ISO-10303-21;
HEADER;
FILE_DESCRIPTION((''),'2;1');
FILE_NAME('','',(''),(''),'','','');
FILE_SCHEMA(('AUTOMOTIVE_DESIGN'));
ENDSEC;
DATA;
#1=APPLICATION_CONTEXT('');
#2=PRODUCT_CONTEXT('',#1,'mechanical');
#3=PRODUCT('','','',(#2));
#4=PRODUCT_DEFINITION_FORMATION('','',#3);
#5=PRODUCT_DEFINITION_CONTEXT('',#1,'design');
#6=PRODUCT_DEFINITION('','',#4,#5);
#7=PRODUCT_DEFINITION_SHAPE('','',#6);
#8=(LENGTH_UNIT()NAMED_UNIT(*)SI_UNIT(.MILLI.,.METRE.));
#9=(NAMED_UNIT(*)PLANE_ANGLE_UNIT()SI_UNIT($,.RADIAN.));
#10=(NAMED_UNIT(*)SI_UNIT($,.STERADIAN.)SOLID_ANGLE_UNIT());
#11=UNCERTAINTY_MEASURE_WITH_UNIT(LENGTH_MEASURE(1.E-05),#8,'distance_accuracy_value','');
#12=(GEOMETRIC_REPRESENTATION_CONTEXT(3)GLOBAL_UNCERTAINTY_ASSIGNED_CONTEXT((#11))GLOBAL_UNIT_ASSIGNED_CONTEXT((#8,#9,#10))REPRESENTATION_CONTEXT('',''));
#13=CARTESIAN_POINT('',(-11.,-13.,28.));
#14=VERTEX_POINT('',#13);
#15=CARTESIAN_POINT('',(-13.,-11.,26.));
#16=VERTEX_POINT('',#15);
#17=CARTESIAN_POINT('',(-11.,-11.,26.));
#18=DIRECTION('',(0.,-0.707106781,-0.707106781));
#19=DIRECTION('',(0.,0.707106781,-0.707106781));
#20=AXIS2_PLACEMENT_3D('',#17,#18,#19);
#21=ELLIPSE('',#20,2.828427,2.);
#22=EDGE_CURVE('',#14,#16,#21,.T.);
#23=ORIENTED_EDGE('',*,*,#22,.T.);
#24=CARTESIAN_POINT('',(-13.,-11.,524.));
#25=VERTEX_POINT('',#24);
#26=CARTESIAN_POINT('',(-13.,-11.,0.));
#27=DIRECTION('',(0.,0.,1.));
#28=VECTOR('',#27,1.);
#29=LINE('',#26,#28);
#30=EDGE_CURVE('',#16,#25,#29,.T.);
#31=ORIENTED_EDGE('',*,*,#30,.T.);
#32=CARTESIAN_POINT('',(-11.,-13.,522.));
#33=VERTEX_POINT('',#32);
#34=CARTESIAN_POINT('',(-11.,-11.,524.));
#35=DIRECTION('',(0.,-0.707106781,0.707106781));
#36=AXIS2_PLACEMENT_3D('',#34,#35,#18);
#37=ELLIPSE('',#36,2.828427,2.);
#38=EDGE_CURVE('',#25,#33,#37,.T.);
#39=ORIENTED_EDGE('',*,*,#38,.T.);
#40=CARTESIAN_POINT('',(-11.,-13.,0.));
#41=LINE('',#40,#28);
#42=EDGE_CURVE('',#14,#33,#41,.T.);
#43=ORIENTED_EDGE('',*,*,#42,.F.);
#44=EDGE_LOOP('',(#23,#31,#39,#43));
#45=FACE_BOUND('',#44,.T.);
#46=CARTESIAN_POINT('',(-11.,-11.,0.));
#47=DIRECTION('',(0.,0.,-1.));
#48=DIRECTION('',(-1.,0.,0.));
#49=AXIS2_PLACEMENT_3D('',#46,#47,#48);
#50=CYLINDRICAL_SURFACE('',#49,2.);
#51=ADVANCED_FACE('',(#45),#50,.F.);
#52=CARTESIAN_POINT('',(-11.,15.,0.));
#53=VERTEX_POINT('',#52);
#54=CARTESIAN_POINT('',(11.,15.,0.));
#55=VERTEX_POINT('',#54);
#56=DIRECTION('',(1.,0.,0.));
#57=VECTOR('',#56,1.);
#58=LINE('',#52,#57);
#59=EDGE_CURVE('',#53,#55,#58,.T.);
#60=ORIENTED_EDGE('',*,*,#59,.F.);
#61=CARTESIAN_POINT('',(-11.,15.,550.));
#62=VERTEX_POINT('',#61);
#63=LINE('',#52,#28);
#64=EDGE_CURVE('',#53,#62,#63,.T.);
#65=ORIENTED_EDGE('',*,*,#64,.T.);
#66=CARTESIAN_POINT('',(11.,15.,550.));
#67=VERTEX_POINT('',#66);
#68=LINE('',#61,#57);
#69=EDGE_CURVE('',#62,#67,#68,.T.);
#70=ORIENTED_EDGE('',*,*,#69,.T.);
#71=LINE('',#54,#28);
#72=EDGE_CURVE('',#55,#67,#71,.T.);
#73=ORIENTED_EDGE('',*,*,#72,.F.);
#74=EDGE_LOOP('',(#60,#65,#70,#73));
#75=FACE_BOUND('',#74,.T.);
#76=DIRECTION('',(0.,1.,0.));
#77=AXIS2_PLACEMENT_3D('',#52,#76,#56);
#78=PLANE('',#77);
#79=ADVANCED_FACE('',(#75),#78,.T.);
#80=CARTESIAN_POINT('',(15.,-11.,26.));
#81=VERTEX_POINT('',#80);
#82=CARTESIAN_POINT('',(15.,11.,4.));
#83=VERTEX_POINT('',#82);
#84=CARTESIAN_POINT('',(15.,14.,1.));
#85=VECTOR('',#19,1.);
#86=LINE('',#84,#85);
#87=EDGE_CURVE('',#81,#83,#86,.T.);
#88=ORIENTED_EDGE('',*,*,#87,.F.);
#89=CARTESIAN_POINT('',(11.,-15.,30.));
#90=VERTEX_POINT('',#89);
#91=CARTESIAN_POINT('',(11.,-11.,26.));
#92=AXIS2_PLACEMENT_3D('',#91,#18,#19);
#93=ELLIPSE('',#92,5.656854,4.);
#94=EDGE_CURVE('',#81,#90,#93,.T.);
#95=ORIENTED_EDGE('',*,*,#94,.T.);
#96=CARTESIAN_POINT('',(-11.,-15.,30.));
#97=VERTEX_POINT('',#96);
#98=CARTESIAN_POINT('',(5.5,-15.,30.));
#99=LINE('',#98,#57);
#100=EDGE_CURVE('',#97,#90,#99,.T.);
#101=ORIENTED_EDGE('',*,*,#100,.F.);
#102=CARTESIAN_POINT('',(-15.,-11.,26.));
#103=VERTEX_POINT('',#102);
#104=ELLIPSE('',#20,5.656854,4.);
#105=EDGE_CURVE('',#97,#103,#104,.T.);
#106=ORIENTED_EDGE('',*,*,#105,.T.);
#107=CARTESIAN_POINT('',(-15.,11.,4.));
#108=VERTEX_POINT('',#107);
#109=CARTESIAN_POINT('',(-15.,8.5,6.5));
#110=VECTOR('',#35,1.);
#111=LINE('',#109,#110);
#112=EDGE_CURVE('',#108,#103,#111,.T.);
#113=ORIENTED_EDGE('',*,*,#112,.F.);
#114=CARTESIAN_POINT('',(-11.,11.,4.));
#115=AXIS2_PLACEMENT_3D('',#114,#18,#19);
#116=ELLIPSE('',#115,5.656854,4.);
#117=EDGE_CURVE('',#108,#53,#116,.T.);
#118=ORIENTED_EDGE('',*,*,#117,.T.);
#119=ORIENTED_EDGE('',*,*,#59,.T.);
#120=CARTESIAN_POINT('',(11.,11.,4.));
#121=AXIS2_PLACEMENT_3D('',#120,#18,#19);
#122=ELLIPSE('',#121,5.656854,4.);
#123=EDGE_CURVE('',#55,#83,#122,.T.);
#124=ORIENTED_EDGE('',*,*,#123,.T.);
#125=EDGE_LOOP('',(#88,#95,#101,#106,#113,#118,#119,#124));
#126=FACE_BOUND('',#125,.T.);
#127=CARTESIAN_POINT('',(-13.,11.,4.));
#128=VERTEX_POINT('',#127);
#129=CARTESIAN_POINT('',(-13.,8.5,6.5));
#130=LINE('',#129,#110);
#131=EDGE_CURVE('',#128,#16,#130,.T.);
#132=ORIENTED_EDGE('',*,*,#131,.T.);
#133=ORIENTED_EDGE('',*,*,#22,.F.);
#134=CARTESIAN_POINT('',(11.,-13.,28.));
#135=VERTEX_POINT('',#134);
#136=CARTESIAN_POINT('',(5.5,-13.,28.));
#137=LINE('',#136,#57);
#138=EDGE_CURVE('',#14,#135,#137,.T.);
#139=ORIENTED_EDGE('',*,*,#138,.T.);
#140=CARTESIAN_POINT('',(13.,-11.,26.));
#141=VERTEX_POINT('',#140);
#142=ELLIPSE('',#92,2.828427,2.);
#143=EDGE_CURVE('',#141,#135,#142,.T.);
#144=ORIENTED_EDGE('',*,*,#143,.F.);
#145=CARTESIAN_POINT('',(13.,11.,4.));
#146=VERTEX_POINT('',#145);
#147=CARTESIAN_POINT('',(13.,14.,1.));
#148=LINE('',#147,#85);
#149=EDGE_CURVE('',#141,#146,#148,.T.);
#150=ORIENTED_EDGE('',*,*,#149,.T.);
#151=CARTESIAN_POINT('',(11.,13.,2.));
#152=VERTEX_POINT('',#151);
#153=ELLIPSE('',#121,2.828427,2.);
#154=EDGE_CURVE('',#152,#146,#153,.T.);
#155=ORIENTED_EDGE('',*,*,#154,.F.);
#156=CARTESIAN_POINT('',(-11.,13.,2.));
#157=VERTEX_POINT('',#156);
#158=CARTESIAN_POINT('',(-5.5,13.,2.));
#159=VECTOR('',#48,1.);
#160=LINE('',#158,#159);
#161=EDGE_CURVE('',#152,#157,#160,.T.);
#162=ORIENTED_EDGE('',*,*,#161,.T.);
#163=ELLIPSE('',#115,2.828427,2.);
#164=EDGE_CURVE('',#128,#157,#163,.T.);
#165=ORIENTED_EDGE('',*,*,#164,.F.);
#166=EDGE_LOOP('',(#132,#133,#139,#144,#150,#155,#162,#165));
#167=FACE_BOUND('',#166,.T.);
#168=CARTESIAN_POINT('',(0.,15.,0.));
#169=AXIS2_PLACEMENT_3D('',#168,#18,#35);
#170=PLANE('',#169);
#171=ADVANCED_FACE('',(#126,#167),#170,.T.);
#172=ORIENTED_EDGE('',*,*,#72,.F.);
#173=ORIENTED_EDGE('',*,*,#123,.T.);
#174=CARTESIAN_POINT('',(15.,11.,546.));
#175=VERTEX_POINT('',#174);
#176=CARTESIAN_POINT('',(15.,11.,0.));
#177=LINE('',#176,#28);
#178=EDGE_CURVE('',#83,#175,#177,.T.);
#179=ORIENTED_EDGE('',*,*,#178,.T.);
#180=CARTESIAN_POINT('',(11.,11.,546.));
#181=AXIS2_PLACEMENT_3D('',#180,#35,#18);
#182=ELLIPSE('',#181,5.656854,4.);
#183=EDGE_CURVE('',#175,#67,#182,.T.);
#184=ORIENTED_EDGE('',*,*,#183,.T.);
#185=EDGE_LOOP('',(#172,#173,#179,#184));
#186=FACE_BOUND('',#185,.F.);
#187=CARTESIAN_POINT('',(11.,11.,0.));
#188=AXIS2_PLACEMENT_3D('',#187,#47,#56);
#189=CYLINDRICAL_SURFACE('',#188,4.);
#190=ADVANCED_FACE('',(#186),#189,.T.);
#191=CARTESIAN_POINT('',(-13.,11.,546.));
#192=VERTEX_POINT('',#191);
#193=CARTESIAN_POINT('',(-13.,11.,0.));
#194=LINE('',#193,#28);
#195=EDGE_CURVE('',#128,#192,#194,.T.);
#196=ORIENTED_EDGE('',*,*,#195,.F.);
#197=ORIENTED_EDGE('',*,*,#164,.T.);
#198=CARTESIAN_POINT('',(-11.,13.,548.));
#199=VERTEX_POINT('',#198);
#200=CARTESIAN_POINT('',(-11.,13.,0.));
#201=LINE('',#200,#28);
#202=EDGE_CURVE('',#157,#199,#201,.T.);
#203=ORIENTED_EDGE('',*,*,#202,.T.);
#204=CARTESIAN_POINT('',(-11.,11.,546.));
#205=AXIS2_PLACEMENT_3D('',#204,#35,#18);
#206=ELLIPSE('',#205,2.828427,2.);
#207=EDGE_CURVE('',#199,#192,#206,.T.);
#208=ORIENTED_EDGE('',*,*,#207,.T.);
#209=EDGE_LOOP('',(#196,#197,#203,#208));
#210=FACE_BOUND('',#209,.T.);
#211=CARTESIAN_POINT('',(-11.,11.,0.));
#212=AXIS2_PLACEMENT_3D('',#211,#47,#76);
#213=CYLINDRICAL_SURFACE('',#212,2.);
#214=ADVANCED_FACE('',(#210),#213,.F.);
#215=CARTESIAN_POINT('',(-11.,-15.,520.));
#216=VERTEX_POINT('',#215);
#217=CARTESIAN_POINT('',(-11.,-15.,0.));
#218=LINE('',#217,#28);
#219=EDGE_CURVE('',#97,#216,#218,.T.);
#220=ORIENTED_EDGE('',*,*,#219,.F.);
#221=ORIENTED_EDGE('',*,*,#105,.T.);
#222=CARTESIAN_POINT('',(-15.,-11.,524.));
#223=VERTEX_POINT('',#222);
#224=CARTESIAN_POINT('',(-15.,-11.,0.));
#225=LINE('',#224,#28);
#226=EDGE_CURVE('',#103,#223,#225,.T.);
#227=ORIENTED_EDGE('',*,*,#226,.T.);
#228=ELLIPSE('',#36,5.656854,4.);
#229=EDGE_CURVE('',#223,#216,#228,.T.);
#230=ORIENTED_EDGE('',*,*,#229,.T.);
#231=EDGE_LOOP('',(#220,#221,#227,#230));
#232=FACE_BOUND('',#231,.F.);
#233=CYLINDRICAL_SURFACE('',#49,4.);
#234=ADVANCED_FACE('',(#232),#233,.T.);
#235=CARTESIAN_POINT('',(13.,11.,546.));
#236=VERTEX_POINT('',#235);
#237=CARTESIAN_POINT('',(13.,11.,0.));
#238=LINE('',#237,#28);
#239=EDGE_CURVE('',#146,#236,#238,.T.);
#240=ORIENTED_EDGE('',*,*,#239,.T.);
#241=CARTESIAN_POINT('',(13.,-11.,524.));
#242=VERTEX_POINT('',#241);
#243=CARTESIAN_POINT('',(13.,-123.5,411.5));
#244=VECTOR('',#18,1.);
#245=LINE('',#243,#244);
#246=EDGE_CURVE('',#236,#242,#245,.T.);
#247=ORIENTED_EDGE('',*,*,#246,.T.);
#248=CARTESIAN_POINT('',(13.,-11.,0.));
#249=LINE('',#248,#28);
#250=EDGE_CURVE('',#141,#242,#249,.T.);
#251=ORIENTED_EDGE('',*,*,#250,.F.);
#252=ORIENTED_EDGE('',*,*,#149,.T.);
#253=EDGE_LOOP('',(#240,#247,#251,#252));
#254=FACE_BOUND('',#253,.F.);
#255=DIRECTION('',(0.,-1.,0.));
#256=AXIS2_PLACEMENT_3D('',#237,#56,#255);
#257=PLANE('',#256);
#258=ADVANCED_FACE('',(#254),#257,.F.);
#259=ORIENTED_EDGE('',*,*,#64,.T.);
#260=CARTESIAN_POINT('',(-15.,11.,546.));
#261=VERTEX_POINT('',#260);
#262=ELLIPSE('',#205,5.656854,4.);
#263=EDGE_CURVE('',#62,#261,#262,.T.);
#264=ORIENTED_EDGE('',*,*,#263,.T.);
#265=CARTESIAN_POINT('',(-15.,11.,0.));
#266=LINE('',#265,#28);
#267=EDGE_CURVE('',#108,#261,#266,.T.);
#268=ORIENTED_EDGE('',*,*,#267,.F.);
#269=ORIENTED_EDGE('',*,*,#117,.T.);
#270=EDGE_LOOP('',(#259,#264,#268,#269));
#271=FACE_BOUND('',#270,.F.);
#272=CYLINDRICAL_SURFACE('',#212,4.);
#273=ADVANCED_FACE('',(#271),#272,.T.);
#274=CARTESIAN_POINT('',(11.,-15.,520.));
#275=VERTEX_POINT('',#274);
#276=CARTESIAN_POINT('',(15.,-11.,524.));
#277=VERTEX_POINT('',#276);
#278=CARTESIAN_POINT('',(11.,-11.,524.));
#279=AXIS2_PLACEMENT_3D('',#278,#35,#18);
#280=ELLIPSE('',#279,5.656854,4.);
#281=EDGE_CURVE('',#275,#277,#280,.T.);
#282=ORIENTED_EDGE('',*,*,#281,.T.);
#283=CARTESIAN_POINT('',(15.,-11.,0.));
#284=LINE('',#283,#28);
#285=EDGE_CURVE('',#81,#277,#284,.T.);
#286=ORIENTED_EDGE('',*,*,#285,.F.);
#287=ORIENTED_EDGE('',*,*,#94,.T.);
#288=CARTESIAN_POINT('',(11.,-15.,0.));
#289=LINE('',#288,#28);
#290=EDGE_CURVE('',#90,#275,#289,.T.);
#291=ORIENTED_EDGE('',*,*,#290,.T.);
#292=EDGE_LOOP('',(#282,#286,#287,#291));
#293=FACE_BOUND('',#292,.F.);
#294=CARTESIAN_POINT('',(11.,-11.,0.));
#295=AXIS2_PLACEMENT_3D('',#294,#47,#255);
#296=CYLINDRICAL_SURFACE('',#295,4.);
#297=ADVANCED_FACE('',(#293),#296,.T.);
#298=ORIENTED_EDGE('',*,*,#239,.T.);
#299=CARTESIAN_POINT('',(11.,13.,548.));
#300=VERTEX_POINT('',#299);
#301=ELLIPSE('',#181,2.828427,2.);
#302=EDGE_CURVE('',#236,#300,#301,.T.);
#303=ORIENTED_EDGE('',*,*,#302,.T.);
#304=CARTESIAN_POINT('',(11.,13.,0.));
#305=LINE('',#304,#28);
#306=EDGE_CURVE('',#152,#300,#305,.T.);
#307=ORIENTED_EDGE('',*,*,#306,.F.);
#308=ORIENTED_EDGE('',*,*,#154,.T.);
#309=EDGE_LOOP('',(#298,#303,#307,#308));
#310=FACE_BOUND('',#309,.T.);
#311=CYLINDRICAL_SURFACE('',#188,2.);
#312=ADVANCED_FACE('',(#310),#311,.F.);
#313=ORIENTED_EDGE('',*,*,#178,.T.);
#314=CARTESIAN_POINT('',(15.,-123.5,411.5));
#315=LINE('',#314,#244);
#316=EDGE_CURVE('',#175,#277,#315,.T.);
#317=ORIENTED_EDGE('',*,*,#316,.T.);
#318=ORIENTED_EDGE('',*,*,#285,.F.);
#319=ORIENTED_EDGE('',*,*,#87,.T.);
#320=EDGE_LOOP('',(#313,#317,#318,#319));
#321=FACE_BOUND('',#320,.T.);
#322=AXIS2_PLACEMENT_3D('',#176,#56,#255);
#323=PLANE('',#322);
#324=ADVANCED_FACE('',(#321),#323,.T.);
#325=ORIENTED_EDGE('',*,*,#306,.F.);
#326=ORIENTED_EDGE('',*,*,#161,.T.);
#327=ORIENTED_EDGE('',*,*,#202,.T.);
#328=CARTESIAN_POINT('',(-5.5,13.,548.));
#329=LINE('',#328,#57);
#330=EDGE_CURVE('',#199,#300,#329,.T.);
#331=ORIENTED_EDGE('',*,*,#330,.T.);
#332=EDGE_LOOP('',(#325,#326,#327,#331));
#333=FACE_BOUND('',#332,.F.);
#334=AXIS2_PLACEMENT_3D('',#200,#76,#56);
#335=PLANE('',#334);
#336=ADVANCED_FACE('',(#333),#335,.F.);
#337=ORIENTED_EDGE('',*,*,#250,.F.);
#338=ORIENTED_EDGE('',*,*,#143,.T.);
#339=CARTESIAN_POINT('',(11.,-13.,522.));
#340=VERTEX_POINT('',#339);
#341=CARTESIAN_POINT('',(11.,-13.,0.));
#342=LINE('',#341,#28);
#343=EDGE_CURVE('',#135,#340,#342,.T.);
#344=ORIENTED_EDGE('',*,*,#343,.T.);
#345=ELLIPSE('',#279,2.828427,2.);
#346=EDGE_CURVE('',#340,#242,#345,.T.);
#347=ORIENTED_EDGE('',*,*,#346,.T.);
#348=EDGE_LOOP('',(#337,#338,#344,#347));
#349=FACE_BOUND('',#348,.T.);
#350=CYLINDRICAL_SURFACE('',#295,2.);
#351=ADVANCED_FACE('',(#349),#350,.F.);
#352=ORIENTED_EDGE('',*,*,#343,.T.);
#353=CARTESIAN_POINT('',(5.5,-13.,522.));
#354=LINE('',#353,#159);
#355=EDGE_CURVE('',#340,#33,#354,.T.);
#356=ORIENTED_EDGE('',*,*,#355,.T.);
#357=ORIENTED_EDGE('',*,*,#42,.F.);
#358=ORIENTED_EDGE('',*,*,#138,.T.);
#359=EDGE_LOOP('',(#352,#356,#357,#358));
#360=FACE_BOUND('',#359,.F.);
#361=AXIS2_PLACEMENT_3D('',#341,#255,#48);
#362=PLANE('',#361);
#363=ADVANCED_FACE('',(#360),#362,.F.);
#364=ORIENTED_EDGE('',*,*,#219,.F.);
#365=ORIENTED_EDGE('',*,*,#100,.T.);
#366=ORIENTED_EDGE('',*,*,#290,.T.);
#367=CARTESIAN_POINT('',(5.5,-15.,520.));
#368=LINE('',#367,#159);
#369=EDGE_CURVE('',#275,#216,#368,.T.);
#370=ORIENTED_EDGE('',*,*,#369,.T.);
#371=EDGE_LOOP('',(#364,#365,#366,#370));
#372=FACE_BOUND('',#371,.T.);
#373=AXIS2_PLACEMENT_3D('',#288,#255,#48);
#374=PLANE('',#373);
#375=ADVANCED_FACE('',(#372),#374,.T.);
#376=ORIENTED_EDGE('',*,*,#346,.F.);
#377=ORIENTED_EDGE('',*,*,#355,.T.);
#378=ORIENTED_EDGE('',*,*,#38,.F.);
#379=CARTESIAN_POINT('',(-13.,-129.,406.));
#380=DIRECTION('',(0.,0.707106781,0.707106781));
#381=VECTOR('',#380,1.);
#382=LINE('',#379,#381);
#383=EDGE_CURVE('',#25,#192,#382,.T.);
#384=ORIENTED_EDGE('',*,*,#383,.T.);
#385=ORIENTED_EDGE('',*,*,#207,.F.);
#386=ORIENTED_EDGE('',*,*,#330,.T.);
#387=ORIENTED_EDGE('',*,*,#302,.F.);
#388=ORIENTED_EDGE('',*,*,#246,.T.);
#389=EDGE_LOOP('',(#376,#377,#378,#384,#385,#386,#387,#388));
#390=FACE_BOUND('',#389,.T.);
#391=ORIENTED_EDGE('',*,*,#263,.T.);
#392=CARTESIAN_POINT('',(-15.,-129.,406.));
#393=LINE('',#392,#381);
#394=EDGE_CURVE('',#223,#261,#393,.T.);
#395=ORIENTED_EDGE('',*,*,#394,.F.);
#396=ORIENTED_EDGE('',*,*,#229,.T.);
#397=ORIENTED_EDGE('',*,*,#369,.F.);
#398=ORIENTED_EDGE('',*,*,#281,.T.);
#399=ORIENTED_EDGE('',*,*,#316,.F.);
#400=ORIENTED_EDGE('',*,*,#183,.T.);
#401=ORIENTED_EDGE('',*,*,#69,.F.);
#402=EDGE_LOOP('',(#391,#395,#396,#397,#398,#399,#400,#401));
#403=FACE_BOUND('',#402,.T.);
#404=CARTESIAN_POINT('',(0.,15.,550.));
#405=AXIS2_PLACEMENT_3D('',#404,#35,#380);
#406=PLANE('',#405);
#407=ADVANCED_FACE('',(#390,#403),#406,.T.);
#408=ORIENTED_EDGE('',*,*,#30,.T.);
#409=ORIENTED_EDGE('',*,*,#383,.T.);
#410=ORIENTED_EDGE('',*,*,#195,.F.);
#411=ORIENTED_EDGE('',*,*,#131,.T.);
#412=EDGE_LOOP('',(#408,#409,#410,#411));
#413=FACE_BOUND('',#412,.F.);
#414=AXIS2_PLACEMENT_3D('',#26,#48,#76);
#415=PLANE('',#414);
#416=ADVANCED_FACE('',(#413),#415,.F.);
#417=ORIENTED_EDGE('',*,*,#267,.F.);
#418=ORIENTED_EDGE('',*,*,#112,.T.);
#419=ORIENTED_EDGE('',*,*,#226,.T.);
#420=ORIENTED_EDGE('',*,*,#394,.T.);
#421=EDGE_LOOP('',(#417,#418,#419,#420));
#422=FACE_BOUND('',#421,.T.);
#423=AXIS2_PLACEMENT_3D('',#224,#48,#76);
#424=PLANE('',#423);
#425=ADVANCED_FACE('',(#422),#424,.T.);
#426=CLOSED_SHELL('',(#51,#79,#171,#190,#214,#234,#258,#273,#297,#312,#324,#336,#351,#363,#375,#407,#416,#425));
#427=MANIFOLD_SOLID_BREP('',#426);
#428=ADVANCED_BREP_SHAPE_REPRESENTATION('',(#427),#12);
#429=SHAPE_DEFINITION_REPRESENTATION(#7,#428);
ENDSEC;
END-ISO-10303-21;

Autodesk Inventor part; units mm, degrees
ref_plane "Plano inicial" through (0, 0, 0) normal (0, 0, 1) x (1, 0, 0)
ref_plane "Plano final" through (0, 0, 550) normal (0, 0, 1) x (1, 0, 0)
sketch "Esboço" plane through (0, 0, 0) normal (0, 0, 1) x (1, 0, 0)
  line L0 (-15, -11) -> (-15, 11)
  line L1 (-11, 15) -> (11, 15)
  line L2 (15, 11) -> (15, -11)
  line L3 (11, -15) -> (-11, -15)
  arc A0 (-15, -11) -> (-11, -15) centre (-11, -11) ccw
  arc A1 (15, 11) -> (11, 15) centre (11, 11) ccw
  arc A2 (-11, 15) -> (-15, 11) centre (-11, 11) ccw
  arc A3 (11, -15) -> (15, -11) centre (11, -11) ccw
  arc A4 (-11, 13) -> (-13, 11) centre (-11, 11) ccw
  line L4 (-11, 13) -> (11, 13)
  arc A5 (13, 11) -> (11, 13) centre (11, 11) ccw
  line L5 (13, 11) -> (13, -11)
  arc A6 (11, -13) -> (13, -11) centre (11, -11) ccw
  line L6 (11, -13) -> (-11, -13)
  arc A7 (-13, -11) -> (-11, -13) centre (-11, -11) ccw
  line L7 (-13, -11) -> (-13, 11)
  line L8 (0, 22.1598) -> (0, -22.1598) construction
  line L9 (-22.1598, 0) -> (22.1598, 0) construction
  dimension "d7" = 4
  dimension "d9" = 30
  dimension "d11" = 30
  dimension "d12" = 2
  dimension "d15" = 15
  dimension "d16" = 15
extrude "Corpo" add sketch "Esboço" along normal up to surface (550 mm away) from surface at 0
sketch "Sketch3" plane through (0, 0, 0) normal (0, 0, 1) x (1, 0, 0)
  line L0 (0, 0) -> (10, 0)
ref_plane "Work Plane3" through (0, 0, 0) normal (0, -1, 0) x (1, 0, 0)
sketch "Sketch4" plane through (0, 0, 0) normal (0, -1, 0) x (1, 0, 0)
  line L0 (-2, 0) -> (12, 0)
  line L1 (-2, 550) -> (12, 550)
  dimension "d18" = 550
ref_plane "Plano de trabalho6" through (-155, 0, 0) normal (0, 0, -1) x (-1, 0, 0)
split "Dividir3" plane through (-155, 0, 0) removes the side toward (0, 0, -1)
ref_plane "Plano de trabalho7" through (-15, 0, 550) normal (0, 0, 1) x (1, 0, 0)
split "Dividir4" plane through (-15, 0, 550) removes the side toward (0, 0, 1)
ref_plane "Plano de trabalho8" through (0, 15, 550) normal (0, -0.7071, 0.7071) x (1, 0, 0)
split "Dividir5" plane through (0, 15, 550) removes the side toward (0, -0.7071, 0.7071)
ref_plane "Plano de trabalho9" through (0, 15, 0) normal (0, -0.7071, -0.7071) x (1, 0, 0)
split "Dividir6" plane through (0, 15, 0) removes the side toward (0, -0.7071, -0.7071)
equation "\"d7\" = G_IR"
equation "\"d9\" = G_W"
equation "\"d11\" = G_H"
equation "\"d12\" = G_T"
equation "\"d15\" = 0.5 * d9"
equation "\"d16\" = 0.5 * d11"
equation "\"d3\" = G_L"
equation "\"G_W\" = 30"
equation "\"G_H\" = 30"
equation "\"G_T\" = 2"
equation "\"G_IR\" = 4"
equation "\"G_L\" = d18"
equation "\"G_OFFSET_START\" = 0"
equation "\"G_OFFSET_END\" = 0"
properties part number "ISO 10799-2 - 30x30x2 - 550" material "Aço, suave"
